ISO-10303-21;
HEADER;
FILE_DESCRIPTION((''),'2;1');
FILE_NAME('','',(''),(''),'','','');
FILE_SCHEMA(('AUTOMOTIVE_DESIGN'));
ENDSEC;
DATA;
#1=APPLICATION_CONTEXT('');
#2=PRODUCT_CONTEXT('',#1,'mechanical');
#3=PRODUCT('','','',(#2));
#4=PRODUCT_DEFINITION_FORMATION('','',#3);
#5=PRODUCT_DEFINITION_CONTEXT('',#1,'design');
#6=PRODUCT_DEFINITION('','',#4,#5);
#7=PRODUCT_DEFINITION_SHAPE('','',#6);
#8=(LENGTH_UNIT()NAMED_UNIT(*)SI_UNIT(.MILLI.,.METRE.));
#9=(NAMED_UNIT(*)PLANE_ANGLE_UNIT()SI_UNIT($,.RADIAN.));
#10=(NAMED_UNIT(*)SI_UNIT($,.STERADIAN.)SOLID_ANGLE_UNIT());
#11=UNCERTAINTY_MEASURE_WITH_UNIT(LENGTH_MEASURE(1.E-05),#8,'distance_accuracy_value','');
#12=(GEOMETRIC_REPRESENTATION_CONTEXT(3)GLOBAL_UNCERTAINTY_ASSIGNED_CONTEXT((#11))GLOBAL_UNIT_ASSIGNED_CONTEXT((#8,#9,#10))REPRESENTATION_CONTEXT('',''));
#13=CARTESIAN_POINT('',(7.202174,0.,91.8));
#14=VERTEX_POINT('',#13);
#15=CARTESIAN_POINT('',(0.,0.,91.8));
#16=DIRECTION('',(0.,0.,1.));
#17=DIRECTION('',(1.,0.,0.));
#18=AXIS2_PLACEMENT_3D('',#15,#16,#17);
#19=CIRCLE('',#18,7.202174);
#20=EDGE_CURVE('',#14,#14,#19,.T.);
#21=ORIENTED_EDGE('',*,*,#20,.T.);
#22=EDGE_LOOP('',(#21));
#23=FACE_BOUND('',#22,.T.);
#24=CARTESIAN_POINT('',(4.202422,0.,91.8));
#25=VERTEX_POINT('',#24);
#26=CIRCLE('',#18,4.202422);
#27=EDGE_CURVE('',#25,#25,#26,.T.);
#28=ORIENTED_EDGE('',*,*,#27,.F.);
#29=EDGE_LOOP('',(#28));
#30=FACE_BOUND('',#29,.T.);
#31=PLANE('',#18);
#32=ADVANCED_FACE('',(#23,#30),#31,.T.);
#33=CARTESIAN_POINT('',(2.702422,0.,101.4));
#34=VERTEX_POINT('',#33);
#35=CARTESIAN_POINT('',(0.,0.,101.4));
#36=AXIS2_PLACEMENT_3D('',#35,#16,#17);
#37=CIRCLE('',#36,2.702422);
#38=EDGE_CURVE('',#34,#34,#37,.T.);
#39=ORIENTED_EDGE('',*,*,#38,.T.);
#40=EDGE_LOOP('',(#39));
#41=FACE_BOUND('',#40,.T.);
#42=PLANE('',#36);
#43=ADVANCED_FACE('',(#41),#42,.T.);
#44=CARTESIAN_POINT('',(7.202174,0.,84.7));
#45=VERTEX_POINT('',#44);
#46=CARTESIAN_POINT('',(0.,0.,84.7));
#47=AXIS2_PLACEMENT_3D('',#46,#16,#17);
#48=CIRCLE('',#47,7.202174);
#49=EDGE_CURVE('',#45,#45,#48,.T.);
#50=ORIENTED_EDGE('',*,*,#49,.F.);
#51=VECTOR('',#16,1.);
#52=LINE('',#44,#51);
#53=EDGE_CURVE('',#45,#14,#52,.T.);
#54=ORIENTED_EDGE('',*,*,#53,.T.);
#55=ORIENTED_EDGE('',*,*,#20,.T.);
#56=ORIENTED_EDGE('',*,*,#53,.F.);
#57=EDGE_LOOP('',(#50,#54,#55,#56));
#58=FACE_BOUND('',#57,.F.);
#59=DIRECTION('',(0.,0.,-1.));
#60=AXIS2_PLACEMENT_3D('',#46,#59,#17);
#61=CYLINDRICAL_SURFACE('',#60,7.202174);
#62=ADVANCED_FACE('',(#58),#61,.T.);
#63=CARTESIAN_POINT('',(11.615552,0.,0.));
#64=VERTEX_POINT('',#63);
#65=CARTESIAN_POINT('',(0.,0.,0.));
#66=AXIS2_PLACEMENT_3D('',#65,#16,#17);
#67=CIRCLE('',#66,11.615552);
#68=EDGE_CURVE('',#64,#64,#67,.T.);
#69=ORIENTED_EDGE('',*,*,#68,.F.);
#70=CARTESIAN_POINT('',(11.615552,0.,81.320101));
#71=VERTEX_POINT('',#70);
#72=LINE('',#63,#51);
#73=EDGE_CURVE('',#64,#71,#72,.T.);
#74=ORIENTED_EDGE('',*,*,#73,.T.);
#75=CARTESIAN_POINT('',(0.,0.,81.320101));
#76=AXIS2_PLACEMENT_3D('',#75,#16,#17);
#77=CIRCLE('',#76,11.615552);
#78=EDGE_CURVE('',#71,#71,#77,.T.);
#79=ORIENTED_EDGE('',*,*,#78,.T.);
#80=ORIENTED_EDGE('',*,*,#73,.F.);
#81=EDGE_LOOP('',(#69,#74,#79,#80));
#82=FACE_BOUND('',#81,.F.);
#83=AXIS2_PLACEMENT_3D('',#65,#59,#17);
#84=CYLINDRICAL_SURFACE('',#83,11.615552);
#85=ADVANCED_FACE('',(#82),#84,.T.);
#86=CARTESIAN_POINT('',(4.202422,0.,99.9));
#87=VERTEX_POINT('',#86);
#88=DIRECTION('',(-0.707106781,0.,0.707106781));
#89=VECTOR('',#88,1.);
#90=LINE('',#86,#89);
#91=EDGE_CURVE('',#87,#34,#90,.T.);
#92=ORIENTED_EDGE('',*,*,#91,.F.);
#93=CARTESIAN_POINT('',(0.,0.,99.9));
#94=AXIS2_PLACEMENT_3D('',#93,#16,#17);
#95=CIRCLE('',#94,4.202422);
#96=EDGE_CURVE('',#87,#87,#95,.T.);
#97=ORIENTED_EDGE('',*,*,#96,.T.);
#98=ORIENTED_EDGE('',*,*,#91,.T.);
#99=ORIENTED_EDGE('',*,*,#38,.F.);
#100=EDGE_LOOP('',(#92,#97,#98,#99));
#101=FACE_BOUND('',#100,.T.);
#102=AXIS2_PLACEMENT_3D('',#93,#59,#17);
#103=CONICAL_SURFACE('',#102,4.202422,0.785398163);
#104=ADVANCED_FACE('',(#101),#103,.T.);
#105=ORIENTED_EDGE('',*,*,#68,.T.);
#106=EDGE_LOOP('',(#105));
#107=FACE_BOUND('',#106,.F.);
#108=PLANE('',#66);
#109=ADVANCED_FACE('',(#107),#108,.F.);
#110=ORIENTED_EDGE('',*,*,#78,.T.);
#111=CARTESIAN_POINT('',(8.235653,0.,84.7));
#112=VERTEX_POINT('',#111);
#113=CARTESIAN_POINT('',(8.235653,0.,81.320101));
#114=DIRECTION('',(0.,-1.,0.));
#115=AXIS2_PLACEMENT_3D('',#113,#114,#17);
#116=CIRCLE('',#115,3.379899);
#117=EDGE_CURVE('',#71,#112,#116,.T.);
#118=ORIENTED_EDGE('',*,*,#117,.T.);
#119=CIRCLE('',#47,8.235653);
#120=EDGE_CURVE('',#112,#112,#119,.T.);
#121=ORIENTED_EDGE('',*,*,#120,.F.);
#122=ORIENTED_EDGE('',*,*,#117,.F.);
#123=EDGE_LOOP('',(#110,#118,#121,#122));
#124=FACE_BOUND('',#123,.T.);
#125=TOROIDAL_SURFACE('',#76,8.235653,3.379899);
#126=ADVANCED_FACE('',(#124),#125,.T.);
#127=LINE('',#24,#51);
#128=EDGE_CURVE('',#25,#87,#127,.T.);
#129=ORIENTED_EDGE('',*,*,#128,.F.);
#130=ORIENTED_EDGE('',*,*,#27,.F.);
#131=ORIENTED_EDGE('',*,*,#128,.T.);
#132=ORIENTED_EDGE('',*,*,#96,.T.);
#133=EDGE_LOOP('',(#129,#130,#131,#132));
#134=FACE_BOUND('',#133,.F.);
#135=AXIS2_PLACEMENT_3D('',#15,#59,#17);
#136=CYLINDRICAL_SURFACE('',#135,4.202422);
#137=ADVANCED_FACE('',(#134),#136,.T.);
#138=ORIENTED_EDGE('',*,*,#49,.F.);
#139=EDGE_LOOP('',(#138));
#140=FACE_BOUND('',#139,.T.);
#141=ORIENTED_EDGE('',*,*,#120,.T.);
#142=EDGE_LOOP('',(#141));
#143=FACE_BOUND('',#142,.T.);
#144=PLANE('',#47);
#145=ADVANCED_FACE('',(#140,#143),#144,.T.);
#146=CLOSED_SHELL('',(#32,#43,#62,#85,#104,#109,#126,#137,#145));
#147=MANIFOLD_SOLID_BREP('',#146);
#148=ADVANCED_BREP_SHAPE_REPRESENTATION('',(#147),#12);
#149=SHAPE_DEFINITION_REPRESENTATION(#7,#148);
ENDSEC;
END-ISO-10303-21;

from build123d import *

# Parameters (mm, degrees)
F0_R     = 11.615552
F1_DEPTH = 84.7
F2_R     = 7.202174
F3_DEPTH = 7.1
F4_R     = 4.202422
F5_DEPTH = 9.6
F6_R     = 3.379899
F7_SIZE  = 1.5


with BuildPart() as f1:
    # F0 (on Top) → F1 (new body)
    with BuildSketch(Plane.XY):
        Circle(F0_R)
    extrude(amount=F1_DEPTH)

    # F2 (on face) → F3 (join)
    with BuildSketch(Plane.XY.offset(84.7)):
        Circle(F2_R)
    extrude(amount=F3_DEPTH)

    # F4 (on face) → F5 (join)
    with BuildSketch(Plane.XY.offset(91.8)):
        Circle(F4_R)
    extrude(amount=F5_DEPTH)

    # F6
    f6_edges = [f1.edges().sort_by_distance(p)[0] for p in [
        (-11.615552, 0, 84.7),
    ]]
    fillet(f6_edges, radius=F6_R)

    # F7
    f7_edges = [f1.edges().sort_by_distance(p)[0] for p in [
        (-4.202422, 0, 101.4),
    ]]
    chamfer(f7_edges, length=F7_SIZE)


solid = f1.part
